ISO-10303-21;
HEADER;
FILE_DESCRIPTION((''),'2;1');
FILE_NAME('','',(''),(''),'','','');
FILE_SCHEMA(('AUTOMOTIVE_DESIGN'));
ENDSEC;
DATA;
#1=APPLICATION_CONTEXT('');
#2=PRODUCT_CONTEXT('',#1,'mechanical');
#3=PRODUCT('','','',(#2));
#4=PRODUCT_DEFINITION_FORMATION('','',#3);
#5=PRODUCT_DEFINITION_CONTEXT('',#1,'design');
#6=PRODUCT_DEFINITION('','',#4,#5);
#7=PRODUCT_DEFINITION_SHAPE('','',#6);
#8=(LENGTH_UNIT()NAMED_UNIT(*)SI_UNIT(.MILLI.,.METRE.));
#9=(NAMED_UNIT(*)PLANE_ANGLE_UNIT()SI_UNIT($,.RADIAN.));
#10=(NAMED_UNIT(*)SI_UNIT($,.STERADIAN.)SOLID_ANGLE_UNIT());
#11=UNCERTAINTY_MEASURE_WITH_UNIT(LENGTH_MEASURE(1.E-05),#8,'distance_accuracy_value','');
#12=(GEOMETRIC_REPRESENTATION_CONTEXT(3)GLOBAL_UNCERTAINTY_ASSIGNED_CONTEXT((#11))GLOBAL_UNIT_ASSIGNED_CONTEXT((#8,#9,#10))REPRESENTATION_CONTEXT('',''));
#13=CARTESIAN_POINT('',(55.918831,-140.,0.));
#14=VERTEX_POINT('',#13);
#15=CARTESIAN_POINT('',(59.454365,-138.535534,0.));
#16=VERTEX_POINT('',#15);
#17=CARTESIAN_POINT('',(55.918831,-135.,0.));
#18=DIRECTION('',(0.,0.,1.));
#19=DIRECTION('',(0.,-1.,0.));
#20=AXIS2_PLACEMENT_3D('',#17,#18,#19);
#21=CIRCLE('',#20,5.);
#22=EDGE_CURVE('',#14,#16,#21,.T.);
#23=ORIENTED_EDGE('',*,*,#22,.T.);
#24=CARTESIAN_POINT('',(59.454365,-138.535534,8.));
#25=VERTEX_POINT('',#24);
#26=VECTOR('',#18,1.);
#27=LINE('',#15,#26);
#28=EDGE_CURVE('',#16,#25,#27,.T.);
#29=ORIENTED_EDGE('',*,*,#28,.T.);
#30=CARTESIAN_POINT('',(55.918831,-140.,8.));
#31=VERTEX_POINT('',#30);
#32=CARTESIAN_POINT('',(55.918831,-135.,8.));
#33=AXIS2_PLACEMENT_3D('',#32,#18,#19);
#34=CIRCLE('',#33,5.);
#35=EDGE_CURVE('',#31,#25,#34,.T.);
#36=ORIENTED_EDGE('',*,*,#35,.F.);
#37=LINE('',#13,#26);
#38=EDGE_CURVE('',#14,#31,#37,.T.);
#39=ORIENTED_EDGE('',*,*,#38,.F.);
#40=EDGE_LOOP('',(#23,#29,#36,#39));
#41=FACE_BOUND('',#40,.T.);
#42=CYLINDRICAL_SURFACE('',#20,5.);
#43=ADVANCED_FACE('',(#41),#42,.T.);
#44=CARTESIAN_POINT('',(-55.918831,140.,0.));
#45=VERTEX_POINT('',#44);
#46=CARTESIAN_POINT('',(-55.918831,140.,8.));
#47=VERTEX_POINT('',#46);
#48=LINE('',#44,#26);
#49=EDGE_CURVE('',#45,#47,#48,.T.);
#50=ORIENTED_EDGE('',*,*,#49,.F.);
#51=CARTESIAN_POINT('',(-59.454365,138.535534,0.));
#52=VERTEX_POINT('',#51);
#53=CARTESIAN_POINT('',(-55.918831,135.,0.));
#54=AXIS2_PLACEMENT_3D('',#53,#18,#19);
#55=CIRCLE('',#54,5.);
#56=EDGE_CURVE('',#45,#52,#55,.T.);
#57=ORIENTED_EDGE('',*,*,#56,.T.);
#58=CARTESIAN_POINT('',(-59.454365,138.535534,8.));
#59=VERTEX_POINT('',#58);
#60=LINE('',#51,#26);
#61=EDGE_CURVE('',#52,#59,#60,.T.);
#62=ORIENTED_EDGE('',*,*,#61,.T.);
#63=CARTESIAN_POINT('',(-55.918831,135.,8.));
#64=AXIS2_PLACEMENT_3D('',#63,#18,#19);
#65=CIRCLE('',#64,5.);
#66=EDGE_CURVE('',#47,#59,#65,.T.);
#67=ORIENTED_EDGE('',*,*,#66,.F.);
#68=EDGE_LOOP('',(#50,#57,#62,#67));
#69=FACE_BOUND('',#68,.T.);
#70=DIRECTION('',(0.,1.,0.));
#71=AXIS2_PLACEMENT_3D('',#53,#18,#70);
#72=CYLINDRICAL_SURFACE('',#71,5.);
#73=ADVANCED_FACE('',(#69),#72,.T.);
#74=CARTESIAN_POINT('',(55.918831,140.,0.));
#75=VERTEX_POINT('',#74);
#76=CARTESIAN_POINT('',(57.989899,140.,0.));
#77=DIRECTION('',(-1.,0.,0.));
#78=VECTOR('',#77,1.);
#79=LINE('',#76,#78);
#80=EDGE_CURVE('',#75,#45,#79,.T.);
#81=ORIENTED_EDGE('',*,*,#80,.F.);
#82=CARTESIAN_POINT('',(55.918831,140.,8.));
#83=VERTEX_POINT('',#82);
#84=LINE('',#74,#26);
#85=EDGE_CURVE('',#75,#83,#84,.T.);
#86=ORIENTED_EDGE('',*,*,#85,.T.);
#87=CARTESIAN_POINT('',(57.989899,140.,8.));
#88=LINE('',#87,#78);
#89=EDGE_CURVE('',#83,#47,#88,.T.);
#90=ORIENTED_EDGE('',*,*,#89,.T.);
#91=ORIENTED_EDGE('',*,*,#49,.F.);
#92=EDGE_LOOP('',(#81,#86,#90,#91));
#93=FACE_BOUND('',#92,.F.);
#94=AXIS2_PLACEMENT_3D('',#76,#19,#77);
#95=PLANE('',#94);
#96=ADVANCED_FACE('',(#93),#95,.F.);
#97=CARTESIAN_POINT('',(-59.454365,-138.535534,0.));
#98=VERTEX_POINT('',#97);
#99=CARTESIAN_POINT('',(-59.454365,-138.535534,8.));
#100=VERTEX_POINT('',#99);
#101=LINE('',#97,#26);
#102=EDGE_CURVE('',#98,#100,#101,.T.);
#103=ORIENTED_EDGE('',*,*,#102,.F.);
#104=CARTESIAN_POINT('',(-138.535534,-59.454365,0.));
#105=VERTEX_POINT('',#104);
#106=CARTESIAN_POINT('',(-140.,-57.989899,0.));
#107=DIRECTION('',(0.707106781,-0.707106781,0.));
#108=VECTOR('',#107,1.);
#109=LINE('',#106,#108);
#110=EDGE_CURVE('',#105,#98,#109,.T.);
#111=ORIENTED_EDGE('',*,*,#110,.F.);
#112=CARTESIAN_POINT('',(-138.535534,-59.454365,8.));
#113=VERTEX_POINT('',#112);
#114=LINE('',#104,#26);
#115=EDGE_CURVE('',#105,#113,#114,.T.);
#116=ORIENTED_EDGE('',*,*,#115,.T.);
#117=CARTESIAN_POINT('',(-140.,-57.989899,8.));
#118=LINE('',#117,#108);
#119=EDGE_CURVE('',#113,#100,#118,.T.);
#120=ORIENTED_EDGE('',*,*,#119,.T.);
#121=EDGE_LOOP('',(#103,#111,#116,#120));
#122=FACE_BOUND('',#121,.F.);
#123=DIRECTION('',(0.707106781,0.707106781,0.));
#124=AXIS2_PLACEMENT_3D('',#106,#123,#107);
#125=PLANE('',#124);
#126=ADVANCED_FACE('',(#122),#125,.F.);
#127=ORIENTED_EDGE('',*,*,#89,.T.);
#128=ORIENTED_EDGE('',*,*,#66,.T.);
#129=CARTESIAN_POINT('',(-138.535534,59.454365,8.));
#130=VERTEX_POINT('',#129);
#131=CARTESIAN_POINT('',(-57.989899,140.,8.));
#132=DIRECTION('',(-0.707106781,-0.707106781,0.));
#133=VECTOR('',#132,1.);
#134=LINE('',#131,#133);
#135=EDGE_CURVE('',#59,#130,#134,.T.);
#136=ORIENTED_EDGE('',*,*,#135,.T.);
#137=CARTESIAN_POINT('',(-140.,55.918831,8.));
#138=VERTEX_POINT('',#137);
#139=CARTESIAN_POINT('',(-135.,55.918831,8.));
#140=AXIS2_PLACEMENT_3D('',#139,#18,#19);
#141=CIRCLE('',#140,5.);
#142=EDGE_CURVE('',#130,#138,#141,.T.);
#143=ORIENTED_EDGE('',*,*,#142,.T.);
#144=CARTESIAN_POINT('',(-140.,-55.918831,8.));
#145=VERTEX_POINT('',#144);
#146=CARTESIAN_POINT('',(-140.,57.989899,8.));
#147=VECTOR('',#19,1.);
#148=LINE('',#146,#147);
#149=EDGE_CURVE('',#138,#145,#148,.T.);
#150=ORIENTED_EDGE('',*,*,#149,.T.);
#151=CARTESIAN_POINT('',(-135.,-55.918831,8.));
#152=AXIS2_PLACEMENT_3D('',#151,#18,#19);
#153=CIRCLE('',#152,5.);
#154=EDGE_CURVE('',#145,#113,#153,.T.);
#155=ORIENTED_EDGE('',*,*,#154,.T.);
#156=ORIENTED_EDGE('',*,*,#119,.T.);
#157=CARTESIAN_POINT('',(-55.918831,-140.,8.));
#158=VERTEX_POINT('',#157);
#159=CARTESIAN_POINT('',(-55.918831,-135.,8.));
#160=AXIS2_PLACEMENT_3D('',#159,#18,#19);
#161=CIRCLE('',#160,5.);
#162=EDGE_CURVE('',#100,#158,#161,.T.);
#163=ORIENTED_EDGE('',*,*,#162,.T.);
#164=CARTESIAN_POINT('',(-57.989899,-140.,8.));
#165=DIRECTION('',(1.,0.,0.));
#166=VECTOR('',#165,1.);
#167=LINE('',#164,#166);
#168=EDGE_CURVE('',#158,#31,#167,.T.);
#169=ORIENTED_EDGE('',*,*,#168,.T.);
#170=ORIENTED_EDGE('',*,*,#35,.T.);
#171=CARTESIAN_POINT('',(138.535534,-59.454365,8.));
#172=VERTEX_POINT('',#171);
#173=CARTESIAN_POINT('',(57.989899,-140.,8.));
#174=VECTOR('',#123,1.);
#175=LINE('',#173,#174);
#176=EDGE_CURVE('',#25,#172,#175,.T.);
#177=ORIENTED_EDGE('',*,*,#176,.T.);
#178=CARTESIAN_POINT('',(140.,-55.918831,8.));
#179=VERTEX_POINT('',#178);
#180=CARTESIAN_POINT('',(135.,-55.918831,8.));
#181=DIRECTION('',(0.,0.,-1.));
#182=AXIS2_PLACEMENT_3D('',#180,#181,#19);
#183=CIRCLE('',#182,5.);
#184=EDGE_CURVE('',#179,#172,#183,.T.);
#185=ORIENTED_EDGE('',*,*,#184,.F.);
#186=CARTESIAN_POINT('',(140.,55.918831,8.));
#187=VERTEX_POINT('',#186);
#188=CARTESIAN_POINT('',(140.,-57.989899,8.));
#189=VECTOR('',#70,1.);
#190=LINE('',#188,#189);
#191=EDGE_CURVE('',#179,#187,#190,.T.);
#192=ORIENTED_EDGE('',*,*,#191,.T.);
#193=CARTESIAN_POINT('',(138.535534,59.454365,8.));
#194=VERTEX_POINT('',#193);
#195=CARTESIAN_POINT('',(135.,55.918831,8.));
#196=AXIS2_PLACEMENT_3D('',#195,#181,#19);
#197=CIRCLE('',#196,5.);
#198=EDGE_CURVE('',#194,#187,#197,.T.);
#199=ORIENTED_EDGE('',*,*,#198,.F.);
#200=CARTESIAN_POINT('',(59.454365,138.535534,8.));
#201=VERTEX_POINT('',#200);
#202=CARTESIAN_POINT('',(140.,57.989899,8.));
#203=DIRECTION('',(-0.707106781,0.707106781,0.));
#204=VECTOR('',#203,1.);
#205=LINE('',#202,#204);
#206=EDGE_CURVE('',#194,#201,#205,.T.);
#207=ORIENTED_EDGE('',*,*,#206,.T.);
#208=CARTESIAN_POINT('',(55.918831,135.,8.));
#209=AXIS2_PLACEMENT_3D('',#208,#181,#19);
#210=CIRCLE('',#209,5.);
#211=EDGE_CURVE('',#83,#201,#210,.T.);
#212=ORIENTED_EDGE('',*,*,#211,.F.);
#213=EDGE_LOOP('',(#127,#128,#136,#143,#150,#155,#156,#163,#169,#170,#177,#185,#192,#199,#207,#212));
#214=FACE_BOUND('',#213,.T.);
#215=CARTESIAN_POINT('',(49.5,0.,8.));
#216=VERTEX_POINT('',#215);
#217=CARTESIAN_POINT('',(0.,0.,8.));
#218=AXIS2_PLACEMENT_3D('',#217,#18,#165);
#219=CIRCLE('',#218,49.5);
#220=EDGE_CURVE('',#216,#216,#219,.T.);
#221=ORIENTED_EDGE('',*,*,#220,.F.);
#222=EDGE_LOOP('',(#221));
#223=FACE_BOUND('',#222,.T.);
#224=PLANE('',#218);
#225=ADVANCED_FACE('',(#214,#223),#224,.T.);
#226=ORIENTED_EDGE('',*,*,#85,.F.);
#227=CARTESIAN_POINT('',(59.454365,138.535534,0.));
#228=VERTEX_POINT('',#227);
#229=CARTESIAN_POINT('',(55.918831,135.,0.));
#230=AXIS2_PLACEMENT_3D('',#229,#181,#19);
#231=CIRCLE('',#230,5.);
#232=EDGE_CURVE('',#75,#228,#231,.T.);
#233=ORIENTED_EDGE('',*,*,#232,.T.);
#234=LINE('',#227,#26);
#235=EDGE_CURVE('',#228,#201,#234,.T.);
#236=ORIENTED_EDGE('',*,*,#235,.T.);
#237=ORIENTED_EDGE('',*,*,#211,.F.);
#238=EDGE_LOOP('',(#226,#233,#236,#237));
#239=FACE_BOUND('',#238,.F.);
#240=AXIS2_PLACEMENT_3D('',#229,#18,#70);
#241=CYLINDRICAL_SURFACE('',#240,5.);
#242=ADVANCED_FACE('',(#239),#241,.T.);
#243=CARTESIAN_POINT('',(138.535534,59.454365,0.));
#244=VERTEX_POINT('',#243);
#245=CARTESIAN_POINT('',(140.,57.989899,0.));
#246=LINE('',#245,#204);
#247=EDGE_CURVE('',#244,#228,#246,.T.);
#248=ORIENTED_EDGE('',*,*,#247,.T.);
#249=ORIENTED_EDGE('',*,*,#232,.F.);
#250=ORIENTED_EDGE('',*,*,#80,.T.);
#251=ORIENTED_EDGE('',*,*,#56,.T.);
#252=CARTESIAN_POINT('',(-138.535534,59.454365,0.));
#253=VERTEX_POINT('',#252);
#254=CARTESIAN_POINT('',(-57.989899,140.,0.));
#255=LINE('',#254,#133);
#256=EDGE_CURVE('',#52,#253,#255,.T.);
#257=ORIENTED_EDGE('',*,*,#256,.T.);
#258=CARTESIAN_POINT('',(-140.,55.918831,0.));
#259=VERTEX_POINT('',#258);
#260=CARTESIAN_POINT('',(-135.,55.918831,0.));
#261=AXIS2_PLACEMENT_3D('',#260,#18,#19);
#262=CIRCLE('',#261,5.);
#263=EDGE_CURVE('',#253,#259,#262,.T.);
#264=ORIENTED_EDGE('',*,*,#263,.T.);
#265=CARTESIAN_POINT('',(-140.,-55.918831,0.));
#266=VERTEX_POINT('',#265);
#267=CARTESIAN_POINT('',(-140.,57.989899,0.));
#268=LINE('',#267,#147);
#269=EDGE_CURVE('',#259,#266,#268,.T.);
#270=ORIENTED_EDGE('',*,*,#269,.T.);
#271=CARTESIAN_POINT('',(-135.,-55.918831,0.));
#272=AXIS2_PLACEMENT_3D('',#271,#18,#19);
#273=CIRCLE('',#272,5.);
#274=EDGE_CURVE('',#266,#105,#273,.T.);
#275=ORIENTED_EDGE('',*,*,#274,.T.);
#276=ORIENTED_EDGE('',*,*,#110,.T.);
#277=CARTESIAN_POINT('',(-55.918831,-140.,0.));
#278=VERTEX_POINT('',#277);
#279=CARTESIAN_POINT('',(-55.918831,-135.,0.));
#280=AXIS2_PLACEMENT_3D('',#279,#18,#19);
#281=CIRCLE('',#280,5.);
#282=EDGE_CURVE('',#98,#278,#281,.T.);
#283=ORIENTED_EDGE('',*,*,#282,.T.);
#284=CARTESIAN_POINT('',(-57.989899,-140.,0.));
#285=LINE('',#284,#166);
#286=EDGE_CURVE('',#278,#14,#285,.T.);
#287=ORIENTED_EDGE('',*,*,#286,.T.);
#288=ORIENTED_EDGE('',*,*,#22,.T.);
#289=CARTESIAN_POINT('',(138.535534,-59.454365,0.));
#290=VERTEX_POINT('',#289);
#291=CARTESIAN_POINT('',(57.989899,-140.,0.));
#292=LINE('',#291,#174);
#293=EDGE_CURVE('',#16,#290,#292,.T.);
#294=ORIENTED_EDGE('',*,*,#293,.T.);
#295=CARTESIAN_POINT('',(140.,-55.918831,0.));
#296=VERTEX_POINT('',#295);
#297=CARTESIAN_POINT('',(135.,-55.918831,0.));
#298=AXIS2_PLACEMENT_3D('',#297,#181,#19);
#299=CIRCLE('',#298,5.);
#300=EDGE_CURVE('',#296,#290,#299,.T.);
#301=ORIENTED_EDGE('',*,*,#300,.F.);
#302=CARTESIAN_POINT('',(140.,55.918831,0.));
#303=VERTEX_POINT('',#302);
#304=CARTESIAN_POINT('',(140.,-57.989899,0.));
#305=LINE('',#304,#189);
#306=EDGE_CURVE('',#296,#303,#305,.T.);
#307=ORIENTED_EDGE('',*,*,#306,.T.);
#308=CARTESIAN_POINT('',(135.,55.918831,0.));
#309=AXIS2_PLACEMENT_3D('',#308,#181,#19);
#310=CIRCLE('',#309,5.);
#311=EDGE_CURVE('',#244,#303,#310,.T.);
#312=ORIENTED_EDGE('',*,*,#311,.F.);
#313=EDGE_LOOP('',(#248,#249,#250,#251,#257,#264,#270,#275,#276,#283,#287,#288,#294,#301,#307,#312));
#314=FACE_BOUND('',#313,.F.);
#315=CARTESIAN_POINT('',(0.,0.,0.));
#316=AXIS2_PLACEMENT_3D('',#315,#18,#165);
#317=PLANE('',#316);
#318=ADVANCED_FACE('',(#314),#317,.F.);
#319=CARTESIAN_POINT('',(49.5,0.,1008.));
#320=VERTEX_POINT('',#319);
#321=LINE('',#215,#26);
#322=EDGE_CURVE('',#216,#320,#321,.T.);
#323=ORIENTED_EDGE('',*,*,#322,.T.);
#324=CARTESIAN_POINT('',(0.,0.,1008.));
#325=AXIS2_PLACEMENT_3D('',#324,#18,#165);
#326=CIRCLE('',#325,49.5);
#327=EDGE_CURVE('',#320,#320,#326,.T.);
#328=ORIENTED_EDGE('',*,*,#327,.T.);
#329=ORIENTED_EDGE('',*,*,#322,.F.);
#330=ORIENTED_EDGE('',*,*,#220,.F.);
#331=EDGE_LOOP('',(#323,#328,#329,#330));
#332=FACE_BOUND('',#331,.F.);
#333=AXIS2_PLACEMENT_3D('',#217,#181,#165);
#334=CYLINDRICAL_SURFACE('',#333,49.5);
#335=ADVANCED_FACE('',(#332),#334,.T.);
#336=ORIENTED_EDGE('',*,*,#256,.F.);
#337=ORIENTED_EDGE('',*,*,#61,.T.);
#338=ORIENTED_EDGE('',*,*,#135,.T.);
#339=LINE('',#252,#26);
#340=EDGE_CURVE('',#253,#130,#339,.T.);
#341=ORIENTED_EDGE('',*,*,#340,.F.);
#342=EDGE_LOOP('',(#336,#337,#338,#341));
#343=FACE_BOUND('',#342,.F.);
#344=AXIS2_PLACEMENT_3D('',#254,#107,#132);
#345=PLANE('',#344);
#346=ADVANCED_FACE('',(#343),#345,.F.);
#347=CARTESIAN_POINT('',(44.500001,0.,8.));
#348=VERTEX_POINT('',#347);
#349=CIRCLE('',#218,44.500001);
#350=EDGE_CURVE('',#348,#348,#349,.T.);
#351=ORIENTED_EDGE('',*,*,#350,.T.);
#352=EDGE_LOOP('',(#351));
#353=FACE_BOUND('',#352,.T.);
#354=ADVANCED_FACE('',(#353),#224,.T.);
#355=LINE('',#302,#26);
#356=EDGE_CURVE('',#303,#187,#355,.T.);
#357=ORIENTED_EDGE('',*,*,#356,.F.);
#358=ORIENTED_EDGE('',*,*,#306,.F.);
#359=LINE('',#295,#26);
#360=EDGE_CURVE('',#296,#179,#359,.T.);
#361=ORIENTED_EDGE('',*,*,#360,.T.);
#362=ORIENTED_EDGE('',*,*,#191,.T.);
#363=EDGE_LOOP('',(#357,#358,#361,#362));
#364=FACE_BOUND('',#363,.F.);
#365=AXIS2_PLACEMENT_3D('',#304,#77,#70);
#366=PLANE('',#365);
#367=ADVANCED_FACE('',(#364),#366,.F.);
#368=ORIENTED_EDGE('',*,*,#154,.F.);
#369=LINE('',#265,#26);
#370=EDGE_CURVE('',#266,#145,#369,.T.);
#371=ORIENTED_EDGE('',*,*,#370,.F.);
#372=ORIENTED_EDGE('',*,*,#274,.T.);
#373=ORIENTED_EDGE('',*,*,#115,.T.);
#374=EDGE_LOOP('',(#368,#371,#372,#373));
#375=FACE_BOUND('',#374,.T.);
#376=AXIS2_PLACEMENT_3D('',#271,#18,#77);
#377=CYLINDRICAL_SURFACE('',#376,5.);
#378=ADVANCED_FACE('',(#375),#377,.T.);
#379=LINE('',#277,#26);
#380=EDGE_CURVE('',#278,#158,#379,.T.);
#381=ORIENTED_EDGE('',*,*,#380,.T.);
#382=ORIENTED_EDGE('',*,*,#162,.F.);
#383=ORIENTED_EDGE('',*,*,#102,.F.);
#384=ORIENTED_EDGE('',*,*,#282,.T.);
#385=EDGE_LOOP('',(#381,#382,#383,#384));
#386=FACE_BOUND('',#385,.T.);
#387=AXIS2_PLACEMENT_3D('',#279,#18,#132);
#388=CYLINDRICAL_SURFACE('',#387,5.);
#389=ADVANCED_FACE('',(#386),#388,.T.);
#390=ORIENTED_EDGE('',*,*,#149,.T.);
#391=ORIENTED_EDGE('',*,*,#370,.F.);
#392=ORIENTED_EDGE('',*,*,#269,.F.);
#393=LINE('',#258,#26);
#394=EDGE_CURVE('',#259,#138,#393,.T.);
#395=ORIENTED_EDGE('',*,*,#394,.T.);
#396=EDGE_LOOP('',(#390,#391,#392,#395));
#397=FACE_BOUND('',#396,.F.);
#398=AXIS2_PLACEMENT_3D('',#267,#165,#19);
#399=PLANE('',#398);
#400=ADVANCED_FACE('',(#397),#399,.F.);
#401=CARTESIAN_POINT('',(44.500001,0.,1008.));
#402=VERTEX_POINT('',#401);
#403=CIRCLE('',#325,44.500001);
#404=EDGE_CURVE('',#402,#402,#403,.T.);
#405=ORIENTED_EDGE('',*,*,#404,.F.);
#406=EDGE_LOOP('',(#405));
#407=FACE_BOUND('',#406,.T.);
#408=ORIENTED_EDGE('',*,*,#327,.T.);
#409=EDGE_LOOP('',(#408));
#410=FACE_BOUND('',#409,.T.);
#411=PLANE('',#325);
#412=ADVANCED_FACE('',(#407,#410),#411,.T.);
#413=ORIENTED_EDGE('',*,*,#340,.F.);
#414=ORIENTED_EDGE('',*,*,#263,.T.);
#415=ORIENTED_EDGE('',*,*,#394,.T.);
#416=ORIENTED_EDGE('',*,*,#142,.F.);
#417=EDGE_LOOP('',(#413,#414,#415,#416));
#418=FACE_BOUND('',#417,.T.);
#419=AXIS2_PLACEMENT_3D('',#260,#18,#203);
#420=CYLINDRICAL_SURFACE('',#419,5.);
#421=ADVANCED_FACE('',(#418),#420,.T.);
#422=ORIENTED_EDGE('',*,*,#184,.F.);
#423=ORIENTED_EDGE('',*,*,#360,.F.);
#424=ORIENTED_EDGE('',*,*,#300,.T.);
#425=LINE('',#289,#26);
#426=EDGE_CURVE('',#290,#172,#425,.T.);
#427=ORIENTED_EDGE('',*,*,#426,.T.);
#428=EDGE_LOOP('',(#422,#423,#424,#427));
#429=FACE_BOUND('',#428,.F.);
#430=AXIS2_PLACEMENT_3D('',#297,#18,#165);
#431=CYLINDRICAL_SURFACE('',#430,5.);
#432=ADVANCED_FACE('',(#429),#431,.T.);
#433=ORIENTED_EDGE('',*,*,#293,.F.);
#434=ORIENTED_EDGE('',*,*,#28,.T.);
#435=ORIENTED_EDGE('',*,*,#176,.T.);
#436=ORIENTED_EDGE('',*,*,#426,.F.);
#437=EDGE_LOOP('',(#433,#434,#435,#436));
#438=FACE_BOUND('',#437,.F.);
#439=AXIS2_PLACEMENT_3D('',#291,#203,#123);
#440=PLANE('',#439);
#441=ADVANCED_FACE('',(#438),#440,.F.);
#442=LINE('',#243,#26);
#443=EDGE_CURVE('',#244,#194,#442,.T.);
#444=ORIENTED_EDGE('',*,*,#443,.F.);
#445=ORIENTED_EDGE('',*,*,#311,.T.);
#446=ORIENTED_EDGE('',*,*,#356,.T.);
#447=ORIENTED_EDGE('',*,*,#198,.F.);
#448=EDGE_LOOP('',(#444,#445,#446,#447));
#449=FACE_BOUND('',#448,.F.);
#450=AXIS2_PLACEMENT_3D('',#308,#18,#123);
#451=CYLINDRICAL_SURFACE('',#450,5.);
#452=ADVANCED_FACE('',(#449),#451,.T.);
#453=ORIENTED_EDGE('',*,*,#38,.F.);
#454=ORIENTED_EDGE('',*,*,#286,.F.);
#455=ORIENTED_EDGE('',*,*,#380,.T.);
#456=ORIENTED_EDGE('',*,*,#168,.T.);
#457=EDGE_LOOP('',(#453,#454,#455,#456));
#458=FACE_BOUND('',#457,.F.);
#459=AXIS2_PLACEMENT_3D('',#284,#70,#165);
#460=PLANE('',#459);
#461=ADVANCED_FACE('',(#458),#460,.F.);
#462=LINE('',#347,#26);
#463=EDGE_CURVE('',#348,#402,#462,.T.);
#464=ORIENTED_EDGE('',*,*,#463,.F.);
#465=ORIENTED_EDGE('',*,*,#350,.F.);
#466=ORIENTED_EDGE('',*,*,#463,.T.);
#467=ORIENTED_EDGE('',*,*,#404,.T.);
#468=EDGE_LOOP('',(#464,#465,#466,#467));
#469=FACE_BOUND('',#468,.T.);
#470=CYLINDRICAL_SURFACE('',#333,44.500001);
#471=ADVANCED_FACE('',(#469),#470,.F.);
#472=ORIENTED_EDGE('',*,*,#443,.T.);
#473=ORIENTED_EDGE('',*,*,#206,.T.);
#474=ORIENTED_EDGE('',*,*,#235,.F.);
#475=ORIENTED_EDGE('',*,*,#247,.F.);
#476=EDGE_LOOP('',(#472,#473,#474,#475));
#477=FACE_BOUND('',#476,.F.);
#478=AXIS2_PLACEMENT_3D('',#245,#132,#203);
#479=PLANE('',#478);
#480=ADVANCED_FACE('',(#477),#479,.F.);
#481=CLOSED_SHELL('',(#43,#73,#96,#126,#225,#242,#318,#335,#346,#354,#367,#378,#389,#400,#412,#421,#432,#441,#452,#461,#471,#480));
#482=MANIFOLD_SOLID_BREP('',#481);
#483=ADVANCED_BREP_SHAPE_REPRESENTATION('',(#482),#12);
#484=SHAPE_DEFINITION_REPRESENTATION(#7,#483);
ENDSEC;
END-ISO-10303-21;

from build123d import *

# Parameters (mm, degrees)
F1_DEPTH = 8
F2_R     = 49.5
F2_R_2   = 44.500001
F3_DEPTH = 1000
F4_R     = 5


with BuildPart() as f1:
    # F0 (on Top) → F1 (new body)
    with BuildSketch(Plane.XY):
        Polygon((57.989899, 140), (-57.989899, 140), (-140, 57.989899), (-140, -57.989899), (-57.989899, -140), (57.989899, -140), (140, -57.989899), (140, 57.989899), align=None)
    extrude(amount=F1_DEPTH)

    # F2 (on face) → F3 (join)
    with BuildSketch(Plane.XY.offset(8)):
        Circle(F2_R)
        Circle(F2_R_2, mode=Mode.SUBTRACT)
    extrude(amount=F3_DEPTH)

    # F4
    f4_edges = [f1.edges().sort_by_distance(p)[0] for p in [
        (57.989899, 140, 4),
        (-57.989899, 140, 4),
        (-140, 57.989899, 4),
        (-140, -57.989899, 4),
        (-57.989899, -140, 4),
        (57.989899, -140, 4),
        (140, -57.989899, 4),
        (140, 57.989899, 4),
    ]]
    fillet(f4_edges, radius=F4_R)


solid = f1.part
